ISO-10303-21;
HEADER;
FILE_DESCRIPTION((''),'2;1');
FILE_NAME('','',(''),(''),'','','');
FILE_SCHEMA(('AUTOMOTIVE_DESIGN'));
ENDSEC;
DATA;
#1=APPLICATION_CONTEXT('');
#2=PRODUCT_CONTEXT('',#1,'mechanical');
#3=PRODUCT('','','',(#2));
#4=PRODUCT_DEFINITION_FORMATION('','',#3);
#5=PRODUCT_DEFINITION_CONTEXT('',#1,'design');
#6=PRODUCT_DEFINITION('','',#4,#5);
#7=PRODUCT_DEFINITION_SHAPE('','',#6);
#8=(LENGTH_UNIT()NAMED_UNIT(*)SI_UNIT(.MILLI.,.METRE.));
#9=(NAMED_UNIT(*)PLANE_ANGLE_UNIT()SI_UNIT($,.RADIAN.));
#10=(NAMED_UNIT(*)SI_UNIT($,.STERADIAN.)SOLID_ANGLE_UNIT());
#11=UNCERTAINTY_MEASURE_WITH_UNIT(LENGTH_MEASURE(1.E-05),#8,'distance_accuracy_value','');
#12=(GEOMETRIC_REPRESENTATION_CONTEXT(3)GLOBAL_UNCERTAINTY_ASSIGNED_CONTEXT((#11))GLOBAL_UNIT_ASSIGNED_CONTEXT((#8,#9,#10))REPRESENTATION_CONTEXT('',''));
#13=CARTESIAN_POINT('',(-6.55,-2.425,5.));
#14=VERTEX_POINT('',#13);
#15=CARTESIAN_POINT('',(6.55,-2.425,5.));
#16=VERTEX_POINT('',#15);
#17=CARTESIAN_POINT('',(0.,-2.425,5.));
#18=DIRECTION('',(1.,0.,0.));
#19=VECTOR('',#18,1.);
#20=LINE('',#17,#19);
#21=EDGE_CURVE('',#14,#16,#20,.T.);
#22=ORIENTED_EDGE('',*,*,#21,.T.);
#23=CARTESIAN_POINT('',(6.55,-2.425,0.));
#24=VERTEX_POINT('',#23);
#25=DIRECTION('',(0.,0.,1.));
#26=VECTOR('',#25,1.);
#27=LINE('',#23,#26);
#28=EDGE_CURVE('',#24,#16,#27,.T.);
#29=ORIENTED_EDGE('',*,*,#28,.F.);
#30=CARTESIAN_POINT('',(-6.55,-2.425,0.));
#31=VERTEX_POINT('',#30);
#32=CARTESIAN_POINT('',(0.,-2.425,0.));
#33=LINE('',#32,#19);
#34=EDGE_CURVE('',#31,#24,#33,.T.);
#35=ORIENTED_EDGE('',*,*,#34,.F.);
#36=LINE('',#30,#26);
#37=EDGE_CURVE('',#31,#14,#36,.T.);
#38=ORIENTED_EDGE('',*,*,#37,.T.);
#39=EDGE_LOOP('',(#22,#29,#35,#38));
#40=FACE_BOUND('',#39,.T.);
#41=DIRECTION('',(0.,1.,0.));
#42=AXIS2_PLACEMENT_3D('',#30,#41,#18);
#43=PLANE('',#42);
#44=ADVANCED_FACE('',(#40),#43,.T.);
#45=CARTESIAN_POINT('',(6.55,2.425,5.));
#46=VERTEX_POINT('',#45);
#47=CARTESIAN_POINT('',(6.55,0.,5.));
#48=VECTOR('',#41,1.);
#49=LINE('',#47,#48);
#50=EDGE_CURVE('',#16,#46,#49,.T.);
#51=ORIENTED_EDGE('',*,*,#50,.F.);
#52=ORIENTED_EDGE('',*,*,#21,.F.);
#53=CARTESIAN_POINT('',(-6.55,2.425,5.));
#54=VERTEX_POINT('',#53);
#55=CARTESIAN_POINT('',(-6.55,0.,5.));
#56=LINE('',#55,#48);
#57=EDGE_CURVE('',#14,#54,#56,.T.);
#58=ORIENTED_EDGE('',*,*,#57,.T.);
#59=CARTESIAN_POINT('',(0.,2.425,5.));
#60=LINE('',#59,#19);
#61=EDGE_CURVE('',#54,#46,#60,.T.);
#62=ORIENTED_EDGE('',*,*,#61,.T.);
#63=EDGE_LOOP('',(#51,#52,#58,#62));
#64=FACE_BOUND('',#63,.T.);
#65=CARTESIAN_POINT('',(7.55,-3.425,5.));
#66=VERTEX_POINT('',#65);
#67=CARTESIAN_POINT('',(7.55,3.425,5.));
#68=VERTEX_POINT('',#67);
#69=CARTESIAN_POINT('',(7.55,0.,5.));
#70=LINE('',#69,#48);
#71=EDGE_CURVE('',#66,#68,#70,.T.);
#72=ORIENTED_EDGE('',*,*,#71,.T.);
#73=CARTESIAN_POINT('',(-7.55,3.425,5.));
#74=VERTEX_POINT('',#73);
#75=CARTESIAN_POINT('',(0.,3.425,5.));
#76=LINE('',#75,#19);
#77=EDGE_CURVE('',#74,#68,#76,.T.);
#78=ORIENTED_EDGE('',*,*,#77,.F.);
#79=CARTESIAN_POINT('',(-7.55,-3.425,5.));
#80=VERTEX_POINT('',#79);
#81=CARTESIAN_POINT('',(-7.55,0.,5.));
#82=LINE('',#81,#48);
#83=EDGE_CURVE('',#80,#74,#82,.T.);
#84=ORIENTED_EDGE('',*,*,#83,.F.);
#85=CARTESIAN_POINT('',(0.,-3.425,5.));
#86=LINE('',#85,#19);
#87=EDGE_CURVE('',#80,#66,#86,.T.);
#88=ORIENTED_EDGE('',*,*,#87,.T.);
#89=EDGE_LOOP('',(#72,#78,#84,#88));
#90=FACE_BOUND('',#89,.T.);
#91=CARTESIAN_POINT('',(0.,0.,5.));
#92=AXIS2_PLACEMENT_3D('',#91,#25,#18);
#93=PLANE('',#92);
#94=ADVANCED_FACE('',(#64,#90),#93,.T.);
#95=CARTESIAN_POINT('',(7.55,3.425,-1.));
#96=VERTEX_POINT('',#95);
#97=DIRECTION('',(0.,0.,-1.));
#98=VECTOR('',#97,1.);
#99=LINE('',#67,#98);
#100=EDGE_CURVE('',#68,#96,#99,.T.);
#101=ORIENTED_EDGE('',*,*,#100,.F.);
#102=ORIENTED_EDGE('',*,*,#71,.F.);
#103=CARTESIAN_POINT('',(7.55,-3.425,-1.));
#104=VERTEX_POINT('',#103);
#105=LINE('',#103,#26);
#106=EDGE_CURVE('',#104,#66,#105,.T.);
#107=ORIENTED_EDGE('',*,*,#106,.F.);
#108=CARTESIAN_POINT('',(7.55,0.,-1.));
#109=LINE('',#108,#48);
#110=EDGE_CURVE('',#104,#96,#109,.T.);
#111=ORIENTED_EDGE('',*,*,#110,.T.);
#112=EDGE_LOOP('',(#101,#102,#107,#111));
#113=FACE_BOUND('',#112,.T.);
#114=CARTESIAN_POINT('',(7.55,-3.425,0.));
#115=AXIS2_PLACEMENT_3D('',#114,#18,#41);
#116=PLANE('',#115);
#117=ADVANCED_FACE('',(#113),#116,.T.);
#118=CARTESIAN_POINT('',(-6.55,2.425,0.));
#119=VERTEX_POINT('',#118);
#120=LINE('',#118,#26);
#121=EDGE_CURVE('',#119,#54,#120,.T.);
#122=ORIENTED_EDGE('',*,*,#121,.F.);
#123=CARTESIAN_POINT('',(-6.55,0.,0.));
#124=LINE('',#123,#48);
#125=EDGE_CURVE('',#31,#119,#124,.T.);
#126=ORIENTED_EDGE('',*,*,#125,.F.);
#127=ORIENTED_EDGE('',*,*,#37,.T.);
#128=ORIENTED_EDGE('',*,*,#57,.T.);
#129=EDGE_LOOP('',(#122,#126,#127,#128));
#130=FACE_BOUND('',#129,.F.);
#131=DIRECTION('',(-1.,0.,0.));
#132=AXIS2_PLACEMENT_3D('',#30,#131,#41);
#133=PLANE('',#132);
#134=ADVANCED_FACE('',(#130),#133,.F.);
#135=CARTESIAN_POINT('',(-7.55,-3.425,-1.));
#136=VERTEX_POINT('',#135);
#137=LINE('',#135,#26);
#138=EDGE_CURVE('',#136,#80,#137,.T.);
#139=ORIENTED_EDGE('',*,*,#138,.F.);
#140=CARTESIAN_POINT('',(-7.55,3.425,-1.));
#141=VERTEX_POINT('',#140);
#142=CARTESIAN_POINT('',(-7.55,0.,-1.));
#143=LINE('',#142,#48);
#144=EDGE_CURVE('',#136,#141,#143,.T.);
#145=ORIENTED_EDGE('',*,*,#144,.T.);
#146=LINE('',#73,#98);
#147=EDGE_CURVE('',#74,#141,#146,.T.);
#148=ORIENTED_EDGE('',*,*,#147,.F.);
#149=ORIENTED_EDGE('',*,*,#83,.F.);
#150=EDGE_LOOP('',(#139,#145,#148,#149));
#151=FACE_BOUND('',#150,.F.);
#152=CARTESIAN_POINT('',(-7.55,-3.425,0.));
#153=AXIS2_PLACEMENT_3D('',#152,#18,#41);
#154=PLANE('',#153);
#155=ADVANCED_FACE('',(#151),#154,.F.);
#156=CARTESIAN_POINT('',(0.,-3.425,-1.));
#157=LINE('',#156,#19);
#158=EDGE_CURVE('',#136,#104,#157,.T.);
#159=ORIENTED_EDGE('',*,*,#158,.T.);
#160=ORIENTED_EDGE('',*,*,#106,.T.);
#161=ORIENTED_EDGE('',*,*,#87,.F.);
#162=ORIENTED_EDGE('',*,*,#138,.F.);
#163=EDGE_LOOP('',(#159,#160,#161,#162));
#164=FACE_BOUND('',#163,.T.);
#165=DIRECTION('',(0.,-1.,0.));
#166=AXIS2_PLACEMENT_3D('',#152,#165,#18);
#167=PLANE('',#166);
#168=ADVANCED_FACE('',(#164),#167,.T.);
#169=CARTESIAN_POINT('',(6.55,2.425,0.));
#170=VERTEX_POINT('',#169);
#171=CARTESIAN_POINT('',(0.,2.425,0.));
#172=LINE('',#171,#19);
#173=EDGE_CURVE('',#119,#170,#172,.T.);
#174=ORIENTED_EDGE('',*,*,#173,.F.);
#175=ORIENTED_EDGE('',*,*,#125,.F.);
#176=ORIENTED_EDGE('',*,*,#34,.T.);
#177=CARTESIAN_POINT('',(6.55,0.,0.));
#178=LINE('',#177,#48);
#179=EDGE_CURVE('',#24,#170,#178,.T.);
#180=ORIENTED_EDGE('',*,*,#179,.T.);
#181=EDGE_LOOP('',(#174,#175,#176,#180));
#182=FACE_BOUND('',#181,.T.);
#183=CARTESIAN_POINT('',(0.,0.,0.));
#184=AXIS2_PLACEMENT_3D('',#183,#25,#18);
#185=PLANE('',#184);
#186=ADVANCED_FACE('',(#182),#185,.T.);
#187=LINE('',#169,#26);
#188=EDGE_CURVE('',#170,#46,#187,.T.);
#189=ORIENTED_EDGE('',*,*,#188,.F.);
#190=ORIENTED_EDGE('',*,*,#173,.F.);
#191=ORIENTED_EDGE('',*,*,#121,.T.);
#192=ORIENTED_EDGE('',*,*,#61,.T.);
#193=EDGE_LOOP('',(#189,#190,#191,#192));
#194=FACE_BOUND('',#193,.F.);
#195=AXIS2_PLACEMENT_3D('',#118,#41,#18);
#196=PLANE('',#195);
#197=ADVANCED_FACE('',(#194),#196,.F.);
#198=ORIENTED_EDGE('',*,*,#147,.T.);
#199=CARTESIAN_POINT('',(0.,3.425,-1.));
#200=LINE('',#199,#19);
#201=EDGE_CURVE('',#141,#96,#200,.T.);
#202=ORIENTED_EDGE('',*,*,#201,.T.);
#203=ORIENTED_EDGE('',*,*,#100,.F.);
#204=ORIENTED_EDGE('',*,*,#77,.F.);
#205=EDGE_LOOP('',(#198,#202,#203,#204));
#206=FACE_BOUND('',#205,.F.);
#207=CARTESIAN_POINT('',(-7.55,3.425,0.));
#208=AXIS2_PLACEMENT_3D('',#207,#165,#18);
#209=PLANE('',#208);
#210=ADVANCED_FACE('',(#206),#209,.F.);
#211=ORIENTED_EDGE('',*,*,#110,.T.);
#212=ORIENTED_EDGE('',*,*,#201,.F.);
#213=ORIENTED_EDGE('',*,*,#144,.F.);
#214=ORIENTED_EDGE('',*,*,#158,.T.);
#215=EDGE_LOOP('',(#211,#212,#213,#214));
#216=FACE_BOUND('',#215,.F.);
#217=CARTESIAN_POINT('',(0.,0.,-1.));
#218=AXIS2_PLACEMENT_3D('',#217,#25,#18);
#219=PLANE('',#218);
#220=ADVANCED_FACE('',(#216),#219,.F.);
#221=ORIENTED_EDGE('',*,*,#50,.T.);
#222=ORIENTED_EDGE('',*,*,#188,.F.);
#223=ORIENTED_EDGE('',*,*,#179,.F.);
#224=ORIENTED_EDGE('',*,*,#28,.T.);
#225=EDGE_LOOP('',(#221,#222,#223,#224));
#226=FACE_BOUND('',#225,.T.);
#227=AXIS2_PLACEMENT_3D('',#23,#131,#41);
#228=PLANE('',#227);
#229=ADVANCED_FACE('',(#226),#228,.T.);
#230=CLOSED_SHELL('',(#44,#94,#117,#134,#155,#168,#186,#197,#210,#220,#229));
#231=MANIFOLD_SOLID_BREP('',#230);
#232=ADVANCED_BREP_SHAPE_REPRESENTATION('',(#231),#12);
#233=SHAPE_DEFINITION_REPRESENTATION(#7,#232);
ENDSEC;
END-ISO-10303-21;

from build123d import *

# Parameters (mm, degrees)
F0_W     = 15.1
F0_H     = 6.85
F0_W_2   = 13.1
F0_H_2   = 4.85
F1_DEPTH = 5
F2_DEPTH = 1


with BuildPart() as f1:
    # F0 (on Top) → F1 (new body)
    with BuildSketch(Plane.XY):
        Rectangle(F0_W, F0_H)
        Rectangle(F0_W_2, F0_H_2, mode=Mode.SUBTRACT)
    extrude(amount=F1_DEPTH)

    # F0 (on Top) → F2 (join)
    with BuildSketch(Plane.XY):
        Rectangle(F0_W, F0_H)
        Rectangle(F0_W_2, F0_H_2, mode=Mode.SUBTRACT)
        Rectangle(F0_W_2, F0_H_2)
    extrude(amount=-F2_DEPTH)


solid = f1.part
